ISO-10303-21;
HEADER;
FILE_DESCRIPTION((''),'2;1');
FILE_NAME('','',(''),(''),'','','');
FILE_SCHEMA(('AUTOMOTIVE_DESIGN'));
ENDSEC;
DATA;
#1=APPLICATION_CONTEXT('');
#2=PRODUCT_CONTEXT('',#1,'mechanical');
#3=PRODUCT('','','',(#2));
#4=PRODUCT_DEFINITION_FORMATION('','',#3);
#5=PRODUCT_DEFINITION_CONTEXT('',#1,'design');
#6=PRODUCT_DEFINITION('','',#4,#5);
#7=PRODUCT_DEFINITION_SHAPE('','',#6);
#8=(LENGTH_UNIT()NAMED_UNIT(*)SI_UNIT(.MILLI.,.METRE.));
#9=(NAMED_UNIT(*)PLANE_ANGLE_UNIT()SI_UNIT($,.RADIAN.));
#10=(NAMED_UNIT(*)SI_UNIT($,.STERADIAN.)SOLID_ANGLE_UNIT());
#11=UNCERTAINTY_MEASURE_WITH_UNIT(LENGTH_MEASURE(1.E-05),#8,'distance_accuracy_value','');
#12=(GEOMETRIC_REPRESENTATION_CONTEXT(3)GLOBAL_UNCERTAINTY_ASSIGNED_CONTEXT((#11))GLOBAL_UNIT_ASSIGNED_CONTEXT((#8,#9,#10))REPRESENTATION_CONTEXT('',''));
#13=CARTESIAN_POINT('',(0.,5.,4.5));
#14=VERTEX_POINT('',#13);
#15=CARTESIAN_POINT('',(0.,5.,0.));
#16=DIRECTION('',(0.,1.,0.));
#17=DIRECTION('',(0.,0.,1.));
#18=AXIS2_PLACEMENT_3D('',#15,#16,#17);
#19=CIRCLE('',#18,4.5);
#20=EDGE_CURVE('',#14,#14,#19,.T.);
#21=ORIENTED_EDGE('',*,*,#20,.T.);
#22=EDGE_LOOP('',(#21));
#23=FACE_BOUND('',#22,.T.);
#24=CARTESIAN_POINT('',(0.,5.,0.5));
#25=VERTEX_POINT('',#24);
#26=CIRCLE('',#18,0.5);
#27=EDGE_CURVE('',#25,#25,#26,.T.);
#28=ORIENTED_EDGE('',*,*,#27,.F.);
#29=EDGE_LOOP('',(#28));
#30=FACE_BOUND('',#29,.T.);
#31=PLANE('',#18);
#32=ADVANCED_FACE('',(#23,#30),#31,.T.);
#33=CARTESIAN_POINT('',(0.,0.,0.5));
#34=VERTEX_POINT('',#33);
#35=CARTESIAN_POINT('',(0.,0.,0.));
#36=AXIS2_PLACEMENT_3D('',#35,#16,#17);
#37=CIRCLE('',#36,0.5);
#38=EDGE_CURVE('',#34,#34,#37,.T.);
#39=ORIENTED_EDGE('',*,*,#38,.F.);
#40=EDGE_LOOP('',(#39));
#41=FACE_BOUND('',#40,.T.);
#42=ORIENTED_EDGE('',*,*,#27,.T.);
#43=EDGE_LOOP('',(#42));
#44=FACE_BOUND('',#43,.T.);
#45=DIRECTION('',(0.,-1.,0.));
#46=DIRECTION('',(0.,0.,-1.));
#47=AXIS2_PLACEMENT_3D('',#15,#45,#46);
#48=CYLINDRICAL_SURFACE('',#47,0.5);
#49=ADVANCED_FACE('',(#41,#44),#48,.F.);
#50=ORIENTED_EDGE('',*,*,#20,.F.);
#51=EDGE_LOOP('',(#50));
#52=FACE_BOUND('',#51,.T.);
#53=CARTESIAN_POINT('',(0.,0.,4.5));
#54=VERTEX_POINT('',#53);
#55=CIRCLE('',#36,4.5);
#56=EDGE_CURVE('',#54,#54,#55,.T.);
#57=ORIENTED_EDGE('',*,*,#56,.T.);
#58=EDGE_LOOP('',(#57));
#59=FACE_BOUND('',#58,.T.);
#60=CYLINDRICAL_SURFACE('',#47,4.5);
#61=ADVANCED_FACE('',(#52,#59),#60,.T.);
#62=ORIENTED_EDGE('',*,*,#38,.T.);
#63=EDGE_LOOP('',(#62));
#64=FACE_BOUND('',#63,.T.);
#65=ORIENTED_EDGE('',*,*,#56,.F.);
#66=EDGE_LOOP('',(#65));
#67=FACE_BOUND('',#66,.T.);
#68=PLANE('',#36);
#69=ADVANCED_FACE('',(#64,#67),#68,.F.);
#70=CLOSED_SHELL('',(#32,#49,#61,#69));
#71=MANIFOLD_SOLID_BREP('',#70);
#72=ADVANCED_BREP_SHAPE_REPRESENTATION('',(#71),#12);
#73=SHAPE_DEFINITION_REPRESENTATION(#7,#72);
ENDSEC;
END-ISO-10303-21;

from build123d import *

# Parameters (mm, degrees)
SKETCH1_R           = 4.5
SKETCH1_R_2         = 0.5
BOSS_EXTRUDE1_DEPTH = 5


with BuildPart() as part:
    # Sketch1 → Boss-Extrude1 (new body)
    with BuildSketch(Plane(origin=(0, 0, 0), x_dir=(1, 0, 0), z_dir=(0, 1, 0))):
        with Locations(Location((0, 0, 0), (0, 0, 270))):
            Circle(SKETCH1_R)
        with Locations(Location((0, 0, 0), (0, 0, 270))):
            Circle(SKETCH1_R_2, mode=Mode.SUBTRACT)
    extrude(amount=BOSS_EXTRUDE1_DEPTH)


solid = part.part
